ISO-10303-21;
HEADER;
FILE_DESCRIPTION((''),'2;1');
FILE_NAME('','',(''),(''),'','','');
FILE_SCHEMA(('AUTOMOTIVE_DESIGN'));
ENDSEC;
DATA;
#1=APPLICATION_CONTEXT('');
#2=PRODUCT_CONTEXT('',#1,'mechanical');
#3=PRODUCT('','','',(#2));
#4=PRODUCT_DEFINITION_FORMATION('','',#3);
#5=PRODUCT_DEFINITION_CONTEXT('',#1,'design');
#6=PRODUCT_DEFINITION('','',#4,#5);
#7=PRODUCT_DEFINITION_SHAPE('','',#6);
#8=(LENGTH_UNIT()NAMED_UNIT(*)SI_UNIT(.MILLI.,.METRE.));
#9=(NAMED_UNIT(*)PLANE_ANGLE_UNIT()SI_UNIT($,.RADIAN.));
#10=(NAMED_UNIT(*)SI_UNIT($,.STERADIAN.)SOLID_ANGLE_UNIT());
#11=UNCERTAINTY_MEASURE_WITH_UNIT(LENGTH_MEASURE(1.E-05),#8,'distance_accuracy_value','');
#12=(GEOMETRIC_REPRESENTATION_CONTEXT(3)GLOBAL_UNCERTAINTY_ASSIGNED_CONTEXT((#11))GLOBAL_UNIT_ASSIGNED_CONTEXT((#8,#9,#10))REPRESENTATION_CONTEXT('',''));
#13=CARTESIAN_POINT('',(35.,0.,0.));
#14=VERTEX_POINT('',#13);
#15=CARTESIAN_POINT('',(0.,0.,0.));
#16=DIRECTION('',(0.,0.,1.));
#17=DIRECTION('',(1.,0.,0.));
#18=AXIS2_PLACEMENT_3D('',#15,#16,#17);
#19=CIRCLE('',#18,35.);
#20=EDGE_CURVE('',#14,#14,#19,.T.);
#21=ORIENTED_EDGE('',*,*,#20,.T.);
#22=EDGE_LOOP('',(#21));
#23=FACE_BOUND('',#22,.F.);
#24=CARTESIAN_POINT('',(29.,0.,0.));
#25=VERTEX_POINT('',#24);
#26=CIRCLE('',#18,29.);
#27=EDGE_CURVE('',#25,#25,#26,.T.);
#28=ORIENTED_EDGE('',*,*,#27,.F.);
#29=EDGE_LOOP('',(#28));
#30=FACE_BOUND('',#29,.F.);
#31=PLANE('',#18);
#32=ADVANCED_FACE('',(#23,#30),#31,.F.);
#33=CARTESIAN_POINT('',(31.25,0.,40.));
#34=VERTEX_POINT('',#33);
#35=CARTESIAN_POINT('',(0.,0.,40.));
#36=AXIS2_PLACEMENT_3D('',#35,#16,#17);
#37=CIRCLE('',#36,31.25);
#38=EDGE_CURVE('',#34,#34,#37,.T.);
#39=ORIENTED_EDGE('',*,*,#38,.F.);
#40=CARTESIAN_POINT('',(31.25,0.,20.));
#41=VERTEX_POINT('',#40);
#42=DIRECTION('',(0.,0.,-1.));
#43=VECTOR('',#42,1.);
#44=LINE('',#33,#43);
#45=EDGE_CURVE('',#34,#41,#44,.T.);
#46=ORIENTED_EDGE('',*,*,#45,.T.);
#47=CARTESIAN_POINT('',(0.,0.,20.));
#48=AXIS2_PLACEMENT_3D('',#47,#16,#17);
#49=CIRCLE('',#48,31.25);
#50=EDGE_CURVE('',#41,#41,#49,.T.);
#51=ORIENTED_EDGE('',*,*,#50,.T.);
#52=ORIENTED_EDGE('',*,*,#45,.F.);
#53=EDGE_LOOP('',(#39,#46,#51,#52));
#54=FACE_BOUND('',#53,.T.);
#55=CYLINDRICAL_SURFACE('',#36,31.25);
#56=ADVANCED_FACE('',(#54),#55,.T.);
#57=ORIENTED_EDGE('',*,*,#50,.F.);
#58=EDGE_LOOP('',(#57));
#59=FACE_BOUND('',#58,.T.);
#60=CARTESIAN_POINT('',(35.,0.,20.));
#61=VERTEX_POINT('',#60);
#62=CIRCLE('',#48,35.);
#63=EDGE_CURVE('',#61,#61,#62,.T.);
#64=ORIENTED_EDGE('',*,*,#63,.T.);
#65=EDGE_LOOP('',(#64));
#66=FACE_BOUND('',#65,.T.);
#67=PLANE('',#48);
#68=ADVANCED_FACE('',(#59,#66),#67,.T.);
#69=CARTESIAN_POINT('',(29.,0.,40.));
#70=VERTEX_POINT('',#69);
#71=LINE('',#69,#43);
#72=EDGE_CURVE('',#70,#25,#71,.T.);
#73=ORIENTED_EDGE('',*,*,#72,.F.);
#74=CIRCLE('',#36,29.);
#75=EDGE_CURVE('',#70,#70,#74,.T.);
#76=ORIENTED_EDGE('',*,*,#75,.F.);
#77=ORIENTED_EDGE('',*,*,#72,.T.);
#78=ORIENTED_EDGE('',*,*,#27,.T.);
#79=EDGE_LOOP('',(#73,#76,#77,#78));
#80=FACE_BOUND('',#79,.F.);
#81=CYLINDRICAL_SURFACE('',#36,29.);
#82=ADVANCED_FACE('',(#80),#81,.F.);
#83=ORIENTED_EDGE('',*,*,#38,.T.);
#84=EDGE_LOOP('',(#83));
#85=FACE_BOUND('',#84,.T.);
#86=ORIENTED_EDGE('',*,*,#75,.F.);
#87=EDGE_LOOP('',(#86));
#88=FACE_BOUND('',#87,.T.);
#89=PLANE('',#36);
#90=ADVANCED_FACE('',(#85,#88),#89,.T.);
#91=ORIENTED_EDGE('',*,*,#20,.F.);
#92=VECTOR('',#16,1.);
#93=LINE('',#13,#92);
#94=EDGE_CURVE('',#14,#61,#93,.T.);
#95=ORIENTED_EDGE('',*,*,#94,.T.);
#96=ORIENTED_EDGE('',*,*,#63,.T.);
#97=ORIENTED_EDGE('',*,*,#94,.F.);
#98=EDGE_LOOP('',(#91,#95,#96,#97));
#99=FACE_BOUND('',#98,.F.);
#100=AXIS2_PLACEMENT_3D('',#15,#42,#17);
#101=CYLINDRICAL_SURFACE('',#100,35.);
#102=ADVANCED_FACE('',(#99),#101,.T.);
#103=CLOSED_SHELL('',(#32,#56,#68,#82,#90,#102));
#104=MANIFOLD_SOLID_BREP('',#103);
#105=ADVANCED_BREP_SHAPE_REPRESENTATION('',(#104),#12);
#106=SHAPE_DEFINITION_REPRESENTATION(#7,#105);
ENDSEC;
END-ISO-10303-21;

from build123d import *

# Parameters (mm, degrees)
F0_R     = 35
F1_DEPTH = 40
F2_R     = 35
F2_R_2   = 31.25
F3_DEPTH = 20
F2_R_3   = 29
F4_DEPTH = 40


with BuildPart() as f1:
    # F0 (on Top) → F1 (new body)
    with BuildSketch(Plane.XY):
        Circle(F0_R)
    extrude(amount=F1_DEPTH)

    # F2 (on face) → F3 (cut)
    with BuildSketch(Plane.XY.offset(40)):
        Circle(F2_R)
        Circle(F2_R_2, mode=Mode.SUBTRACT)
    extrude(amount=-F3_DEPTH, mode=Mode.SUBTRACT)

    # F2 (on face) → F4 (cut)
    with BuildSketch(Plane.XY.offset(40)):
        Circle(F2_R_3)
    extrude(amount=-F4_DEPTH, mode=Mode.SUBTRACT)


solid = f1.part
